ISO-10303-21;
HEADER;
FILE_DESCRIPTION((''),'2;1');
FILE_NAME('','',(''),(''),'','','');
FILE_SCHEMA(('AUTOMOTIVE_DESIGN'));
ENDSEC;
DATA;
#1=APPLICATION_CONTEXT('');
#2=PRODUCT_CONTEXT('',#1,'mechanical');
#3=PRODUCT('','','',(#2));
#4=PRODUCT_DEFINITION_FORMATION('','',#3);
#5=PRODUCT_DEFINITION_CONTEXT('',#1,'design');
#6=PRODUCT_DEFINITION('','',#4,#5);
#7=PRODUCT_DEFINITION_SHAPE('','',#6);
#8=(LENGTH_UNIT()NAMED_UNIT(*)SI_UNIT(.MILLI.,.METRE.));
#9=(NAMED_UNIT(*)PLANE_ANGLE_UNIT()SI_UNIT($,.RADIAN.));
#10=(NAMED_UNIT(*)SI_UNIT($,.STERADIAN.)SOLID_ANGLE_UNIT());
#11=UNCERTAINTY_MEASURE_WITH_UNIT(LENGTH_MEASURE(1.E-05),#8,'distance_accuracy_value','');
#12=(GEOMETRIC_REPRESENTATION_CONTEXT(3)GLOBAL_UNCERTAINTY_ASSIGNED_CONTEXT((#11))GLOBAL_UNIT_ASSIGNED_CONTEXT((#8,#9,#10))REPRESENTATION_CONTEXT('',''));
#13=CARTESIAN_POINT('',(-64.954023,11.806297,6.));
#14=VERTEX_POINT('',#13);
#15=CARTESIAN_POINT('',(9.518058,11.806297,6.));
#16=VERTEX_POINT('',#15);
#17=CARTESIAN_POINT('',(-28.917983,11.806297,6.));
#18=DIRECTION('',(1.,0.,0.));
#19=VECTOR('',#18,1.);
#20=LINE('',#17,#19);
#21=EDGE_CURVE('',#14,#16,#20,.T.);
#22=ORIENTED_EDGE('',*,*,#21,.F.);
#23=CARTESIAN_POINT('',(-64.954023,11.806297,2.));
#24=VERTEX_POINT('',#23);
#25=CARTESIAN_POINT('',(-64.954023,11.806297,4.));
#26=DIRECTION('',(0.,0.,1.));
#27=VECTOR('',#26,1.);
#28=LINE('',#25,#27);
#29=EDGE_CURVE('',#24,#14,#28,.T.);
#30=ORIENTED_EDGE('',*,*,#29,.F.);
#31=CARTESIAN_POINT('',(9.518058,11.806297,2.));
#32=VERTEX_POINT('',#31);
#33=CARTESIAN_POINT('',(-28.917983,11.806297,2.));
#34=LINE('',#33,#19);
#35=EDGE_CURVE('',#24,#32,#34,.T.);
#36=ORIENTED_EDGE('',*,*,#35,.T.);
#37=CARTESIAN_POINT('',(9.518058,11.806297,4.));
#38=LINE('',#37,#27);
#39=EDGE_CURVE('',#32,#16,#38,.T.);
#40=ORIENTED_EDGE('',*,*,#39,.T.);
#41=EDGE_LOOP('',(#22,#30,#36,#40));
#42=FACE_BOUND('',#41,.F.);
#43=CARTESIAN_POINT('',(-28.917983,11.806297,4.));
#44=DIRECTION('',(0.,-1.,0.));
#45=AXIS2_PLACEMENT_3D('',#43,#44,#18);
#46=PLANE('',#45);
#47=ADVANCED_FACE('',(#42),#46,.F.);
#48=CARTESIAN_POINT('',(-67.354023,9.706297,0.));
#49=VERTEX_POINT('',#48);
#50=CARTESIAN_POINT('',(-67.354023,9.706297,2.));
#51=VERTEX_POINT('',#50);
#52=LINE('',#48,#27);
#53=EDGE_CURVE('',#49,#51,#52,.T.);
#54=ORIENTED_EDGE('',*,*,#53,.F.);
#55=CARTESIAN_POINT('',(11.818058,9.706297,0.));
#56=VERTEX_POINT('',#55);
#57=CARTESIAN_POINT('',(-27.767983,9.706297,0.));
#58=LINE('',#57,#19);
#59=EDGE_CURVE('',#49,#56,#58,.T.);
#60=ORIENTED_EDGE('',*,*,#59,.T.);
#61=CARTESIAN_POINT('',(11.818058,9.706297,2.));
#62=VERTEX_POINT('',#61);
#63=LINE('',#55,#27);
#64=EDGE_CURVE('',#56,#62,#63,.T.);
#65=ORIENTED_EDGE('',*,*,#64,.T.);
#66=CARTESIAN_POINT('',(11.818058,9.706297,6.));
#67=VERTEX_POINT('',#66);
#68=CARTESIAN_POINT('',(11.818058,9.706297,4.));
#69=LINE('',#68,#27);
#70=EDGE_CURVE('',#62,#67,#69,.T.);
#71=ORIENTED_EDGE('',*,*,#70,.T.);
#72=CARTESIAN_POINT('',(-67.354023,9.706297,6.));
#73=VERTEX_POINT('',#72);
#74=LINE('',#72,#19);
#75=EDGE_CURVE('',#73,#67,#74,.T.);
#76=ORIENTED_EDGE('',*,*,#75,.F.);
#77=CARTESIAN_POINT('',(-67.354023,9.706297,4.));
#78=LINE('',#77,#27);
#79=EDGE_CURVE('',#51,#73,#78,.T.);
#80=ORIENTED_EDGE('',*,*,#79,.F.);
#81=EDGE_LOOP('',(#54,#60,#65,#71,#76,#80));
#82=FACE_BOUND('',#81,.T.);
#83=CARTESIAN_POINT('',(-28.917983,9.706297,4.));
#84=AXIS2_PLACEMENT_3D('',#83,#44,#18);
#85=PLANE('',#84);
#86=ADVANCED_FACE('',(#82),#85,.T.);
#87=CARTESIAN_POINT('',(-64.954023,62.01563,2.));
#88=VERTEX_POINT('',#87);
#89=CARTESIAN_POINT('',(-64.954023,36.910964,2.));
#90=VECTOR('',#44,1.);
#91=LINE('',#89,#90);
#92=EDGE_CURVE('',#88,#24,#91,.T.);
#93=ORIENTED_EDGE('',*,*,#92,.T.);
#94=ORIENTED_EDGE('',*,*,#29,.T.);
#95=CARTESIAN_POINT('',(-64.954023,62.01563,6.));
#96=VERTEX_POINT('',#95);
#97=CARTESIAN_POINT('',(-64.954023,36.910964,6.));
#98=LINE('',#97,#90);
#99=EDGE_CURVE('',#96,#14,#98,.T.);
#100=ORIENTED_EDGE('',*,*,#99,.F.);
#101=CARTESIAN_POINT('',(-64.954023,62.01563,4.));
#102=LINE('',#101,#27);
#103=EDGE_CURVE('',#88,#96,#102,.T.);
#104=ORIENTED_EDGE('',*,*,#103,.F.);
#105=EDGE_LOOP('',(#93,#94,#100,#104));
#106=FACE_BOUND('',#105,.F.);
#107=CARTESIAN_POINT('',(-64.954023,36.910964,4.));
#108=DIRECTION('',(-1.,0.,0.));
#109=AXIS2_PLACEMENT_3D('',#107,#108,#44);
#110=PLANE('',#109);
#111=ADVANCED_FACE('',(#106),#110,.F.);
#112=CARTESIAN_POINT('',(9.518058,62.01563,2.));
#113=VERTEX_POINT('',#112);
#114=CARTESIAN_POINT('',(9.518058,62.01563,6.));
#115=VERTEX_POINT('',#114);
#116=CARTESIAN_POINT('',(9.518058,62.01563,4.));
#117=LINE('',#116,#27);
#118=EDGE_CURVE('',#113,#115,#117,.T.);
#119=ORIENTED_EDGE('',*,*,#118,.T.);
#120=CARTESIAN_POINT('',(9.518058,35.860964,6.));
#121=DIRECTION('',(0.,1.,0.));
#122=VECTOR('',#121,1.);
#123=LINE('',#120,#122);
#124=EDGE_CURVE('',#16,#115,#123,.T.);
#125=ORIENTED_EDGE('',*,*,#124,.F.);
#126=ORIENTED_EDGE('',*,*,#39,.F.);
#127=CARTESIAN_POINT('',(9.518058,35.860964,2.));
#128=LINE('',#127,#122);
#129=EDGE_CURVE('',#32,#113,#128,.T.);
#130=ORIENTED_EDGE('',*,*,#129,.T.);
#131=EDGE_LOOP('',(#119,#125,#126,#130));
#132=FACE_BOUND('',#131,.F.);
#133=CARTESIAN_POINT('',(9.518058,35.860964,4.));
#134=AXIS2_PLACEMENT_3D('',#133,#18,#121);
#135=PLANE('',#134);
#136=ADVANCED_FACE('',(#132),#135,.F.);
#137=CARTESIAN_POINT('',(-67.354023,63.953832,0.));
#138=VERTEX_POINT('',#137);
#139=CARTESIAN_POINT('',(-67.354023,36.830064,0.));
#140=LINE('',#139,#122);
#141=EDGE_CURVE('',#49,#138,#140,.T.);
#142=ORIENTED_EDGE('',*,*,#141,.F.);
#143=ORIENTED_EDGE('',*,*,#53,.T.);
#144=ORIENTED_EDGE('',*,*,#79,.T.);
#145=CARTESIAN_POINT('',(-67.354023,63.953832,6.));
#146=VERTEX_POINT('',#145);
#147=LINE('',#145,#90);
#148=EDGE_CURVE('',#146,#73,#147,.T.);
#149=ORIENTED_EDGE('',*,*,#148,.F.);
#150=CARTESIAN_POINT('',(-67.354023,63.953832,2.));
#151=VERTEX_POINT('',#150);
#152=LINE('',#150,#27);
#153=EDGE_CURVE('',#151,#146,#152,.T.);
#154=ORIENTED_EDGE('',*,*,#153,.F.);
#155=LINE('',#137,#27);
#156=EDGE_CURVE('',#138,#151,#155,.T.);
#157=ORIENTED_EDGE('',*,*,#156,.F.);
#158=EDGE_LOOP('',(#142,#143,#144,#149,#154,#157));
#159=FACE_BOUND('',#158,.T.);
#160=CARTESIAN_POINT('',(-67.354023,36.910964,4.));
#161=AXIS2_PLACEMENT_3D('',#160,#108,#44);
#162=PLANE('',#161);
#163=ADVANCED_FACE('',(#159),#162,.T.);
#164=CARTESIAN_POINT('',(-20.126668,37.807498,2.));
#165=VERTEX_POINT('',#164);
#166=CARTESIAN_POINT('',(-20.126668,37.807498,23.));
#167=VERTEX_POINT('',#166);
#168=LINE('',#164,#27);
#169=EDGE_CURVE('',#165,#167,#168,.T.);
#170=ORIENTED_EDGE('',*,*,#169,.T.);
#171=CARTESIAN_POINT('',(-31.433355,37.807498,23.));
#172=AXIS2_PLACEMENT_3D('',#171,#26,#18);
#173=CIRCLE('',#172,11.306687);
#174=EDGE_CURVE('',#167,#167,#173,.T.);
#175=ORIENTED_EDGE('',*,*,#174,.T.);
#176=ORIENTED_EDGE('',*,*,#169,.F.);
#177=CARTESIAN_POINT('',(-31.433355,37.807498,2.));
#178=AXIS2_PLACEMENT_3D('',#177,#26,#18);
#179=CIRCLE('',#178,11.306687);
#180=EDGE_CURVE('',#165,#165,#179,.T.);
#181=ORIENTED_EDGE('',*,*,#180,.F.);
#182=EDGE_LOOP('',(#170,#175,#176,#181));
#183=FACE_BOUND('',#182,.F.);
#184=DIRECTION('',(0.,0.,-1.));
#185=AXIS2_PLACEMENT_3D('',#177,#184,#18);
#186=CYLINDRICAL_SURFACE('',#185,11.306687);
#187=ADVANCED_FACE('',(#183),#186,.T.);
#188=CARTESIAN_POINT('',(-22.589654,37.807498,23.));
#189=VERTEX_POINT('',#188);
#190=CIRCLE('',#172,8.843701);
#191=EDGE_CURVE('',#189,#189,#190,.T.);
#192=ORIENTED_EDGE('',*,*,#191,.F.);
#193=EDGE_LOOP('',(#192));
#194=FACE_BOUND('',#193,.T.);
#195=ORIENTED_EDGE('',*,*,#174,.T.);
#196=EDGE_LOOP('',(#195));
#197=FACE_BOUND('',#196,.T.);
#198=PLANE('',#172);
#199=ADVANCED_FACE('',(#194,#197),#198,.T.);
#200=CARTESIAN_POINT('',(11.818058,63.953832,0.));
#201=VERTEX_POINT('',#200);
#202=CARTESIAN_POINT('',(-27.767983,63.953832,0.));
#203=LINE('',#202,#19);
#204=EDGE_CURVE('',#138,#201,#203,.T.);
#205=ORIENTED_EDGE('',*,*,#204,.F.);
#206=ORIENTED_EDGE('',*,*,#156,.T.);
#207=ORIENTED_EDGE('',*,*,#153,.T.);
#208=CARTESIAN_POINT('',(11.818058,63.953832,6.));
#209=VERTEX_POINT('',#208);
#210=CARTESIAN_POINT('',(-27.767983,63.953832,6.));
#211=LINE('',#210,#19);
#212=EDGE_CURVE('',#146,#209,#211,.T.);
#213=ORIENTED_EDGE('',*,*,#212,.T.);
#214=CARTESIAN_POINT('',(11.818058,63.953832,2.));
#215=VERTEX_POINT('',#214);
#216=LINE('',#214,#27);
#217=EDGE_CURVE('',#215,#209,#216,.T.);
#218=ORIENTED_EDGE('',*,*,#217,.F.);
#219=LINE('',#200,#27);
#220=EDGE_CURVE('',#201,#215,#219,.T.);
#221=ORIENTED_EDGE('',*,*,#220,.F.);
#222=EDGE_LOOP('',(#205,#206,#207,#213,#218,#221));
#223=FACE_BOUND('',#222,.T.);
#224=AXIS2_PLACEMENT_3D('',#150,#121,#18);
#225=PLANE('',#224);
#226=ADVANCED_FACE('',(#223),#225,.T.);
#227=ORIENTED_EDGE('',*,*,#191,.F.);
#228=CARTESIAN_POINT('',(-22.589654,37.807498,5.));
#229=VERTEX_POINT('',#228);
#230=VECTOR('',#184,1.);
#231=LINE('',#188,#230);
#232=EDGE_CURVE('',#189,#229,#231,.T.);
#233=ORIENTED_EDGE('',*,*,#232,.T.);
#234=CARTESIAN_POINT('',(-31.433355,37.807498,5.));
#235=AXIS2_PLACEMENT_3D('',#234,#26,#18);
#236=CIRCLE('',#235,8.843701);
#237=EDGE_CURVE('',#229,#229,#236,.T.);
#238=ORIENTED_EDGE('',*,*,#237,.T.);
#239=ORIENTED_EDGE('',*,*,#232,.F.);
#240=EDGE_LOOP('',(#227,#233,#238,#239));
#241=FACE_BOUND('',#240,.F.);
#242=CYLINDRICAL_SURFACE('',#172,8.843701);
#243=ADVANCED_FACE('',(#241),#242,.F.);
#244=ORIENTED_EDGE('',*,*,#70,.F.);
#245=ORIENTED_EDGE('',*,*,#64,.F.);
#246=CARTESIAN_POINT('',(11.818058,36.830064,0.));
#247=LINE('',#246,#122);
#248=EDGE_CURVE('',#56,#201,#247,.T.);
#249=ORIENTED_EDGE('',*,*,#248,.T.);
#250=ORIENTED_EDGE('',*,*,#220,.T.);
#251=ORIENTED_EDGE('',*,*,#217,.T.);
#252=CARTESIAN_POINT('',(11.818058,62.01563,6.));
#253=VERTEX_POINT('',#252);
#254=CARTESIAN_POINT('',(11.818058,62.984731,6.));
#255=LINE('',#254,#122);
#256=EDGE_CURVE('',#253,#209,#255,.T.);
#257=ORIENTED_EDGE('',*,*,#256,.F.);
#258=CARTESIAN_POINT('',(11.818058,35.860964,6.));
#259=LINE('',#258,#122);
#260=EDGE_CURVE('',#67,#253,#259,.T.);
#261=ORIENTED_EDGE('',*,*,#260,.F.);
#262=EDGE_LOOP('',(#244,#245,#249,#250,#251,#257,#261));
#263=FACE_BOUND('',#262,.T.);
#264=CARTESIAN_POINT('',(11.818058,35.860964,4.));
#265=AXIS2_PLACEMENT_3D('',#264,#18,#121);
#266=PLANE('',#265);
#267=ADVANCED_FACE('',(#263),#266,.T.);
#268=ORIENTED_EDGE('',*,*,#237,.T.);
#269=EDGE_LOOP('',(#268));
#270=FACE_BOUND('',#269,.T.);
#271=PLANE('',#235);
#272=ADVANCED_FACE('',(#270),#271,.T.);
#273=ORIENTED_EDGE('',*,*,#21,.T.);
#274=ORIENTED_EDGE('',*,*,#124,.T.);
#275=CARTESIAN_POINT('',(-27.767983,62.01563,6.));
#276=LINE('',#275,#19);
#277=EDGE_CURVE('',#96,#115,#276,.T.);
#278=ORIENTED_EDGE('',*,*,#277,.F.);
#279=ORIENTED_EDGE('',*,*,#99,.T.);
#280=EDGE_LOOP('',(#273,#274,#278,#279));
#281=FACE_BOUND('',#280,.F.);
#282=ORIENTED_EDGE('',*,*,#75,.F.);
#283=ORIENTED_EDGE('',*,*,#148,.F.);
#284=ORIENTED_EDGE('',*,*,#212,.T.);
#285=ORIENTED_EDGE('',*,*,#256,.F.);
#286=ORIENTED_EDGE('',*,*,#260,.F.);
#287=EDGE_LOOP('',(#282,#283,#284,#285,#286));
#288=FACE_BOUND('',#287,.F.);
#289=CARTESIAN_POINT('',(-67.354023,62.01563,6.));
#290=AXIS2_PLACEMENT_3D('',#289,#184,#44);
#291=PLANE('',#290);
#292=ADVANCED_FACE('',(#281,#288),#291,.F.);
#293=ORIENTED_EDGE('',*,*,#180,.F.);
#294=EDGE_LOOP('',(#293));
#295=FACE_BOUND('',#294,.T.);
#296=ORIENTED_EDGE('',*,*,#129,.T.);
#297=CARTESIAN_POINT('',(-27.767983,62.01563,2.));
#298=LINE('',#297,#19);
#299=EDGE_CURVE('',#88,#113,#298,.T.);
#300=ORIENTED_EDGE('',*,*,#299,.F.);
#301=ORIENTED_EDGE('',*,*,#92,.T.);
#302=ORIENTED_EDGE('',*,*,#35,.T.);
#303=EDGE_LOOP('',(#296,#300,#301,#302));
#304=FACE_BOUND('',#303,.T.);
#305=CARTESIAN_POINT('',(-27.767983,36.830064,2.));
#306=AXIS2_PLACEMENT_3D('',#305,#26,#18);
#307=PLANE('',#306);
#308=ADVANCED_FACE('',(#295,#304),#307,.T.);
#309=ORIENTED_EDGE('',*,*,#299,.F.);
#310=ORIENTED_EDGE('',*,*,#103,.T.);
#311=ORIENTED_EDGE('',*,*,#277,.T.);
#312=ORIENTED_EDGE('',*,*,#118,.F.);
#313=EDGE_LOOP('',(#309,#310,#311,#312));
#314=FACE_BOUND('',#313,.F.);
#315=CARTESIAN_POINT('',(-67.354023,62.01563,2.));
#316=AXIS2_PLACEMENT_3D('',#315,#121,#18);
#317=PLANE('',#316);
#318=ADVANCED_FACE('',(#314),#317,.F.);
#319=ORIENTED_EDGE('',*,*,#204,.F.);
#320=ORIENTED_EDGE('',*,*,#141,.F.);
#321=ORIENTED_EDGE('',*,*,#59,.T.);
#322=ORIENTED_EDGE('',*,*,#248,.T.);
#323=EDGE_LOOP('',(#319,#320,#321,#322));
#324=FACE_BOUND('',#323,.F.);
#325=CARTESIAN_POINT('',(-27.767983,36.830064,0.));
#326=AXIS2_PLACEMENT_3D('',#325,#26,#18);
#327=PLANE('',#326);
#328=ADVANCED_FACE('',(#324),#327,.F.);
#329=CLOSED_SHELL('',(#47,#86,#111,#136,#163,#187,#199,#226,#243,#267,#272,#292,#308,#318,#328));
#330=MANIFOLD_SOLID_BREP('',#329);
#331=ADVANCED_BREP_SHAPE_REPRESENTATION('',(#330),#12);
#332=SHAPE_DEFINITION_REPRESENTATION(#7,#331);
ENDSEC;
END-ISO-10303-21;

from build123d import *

# Parameters (mm, degrees)
F0_W      = 79.172081314
F0_H      = 54.2475348338
F1_DEPTH  = 2
F2_W      = 79.172081314
F2_H      = 1.9382014871
F3_DEPTH  = 4
F4_W      = 52.3093333468
F4_H      = 4
F5_DEPTH  = 2.3
F6_W      = 76.872081314
F6_H      = 4
F7_DEPTH  = 2.1
F8_W      = 50.2093333468
F8_H      = 4
F9_DEPTH  = 2.4
F10_R     = 11.306687144
F11_DEPTH = 21
F12_R     = 9.8017826829
F13_DEPTH = 11
F14_R     = 8.8437005901
F15_DEPTH = 18


with BuildPart() as f1:
    # F0 (on Top) → F1 (new body)
    with BuildSketch(Plane.XY):
        with Locations((-27.7679827996, 36.830064375)):
            Rectangle(F0_W, F0_H)
    extrude(amount=F1_DEPTH)

    # F2 (on face) → F3 (join)
    with BuildSketch(Plane.XY.offset(2)):
        with Locations((-27.7679827996, 62.9847310483)):
            Rectangle(F2_W, F2_H)
    extrude(amount=F3_DEPTH)

    # F4 (on face) → F5 (join)
    with BuildSketch(Plane.YZ.offset(11.8180578575)):
        with Locations((35.8609636314, 4)):
            Rectangle(F4_W, F4_H)
    extrude(amount=-F5_DEPTH)

    # F6 (on face) → F7 (join)
    with BuildSketch(Plane.XZ.offset(-9.706296958)):
        with Locations((-28.9179827996, 4)):
            Rectangle(F6_W, F6_H)
    extrude(amount=-F7_DEPTH)

    # F8 (on face) → F9 (join)
    with BuildSketch(Plane(origin=(-67.3540234566, 0, 0), x_dir=(0, -1, 0), z_dir=(-1, 0, 0))):
        with Locations((-36.9109636314, 4)):
            Rectangle(F8_W, F8_H)
    extrude(amount=-F9_DEPTH)

    # F10 (on face) → F11 (join)
    with BuildSketch(Plane.XY.offset(2)):
        with Locations((-31.4333550632, 37.8074981272)):
            Circle(F10_R)
    extrude(amount=F11_DEPTH)

    # F12 (on face) → F13 (join)
    with BuildSketch(Plane.XY.offset(23)):
        with Locations((-31.4333550632, 37.8074981272)):
            Circle(F12_R)
    extrude(amount=-F13_DEPTH)

    # F14 (on face) → F15 (cut)
    with BuildSketch(Plane.XY.offset(23)):
        with Locations((-31.4333550632, 37.8074981272)):
            Circle(F14_R)
    extrude(amount=-F15_DEPTH, mode=Mode.SUBTRACT)


solid = f1.part
